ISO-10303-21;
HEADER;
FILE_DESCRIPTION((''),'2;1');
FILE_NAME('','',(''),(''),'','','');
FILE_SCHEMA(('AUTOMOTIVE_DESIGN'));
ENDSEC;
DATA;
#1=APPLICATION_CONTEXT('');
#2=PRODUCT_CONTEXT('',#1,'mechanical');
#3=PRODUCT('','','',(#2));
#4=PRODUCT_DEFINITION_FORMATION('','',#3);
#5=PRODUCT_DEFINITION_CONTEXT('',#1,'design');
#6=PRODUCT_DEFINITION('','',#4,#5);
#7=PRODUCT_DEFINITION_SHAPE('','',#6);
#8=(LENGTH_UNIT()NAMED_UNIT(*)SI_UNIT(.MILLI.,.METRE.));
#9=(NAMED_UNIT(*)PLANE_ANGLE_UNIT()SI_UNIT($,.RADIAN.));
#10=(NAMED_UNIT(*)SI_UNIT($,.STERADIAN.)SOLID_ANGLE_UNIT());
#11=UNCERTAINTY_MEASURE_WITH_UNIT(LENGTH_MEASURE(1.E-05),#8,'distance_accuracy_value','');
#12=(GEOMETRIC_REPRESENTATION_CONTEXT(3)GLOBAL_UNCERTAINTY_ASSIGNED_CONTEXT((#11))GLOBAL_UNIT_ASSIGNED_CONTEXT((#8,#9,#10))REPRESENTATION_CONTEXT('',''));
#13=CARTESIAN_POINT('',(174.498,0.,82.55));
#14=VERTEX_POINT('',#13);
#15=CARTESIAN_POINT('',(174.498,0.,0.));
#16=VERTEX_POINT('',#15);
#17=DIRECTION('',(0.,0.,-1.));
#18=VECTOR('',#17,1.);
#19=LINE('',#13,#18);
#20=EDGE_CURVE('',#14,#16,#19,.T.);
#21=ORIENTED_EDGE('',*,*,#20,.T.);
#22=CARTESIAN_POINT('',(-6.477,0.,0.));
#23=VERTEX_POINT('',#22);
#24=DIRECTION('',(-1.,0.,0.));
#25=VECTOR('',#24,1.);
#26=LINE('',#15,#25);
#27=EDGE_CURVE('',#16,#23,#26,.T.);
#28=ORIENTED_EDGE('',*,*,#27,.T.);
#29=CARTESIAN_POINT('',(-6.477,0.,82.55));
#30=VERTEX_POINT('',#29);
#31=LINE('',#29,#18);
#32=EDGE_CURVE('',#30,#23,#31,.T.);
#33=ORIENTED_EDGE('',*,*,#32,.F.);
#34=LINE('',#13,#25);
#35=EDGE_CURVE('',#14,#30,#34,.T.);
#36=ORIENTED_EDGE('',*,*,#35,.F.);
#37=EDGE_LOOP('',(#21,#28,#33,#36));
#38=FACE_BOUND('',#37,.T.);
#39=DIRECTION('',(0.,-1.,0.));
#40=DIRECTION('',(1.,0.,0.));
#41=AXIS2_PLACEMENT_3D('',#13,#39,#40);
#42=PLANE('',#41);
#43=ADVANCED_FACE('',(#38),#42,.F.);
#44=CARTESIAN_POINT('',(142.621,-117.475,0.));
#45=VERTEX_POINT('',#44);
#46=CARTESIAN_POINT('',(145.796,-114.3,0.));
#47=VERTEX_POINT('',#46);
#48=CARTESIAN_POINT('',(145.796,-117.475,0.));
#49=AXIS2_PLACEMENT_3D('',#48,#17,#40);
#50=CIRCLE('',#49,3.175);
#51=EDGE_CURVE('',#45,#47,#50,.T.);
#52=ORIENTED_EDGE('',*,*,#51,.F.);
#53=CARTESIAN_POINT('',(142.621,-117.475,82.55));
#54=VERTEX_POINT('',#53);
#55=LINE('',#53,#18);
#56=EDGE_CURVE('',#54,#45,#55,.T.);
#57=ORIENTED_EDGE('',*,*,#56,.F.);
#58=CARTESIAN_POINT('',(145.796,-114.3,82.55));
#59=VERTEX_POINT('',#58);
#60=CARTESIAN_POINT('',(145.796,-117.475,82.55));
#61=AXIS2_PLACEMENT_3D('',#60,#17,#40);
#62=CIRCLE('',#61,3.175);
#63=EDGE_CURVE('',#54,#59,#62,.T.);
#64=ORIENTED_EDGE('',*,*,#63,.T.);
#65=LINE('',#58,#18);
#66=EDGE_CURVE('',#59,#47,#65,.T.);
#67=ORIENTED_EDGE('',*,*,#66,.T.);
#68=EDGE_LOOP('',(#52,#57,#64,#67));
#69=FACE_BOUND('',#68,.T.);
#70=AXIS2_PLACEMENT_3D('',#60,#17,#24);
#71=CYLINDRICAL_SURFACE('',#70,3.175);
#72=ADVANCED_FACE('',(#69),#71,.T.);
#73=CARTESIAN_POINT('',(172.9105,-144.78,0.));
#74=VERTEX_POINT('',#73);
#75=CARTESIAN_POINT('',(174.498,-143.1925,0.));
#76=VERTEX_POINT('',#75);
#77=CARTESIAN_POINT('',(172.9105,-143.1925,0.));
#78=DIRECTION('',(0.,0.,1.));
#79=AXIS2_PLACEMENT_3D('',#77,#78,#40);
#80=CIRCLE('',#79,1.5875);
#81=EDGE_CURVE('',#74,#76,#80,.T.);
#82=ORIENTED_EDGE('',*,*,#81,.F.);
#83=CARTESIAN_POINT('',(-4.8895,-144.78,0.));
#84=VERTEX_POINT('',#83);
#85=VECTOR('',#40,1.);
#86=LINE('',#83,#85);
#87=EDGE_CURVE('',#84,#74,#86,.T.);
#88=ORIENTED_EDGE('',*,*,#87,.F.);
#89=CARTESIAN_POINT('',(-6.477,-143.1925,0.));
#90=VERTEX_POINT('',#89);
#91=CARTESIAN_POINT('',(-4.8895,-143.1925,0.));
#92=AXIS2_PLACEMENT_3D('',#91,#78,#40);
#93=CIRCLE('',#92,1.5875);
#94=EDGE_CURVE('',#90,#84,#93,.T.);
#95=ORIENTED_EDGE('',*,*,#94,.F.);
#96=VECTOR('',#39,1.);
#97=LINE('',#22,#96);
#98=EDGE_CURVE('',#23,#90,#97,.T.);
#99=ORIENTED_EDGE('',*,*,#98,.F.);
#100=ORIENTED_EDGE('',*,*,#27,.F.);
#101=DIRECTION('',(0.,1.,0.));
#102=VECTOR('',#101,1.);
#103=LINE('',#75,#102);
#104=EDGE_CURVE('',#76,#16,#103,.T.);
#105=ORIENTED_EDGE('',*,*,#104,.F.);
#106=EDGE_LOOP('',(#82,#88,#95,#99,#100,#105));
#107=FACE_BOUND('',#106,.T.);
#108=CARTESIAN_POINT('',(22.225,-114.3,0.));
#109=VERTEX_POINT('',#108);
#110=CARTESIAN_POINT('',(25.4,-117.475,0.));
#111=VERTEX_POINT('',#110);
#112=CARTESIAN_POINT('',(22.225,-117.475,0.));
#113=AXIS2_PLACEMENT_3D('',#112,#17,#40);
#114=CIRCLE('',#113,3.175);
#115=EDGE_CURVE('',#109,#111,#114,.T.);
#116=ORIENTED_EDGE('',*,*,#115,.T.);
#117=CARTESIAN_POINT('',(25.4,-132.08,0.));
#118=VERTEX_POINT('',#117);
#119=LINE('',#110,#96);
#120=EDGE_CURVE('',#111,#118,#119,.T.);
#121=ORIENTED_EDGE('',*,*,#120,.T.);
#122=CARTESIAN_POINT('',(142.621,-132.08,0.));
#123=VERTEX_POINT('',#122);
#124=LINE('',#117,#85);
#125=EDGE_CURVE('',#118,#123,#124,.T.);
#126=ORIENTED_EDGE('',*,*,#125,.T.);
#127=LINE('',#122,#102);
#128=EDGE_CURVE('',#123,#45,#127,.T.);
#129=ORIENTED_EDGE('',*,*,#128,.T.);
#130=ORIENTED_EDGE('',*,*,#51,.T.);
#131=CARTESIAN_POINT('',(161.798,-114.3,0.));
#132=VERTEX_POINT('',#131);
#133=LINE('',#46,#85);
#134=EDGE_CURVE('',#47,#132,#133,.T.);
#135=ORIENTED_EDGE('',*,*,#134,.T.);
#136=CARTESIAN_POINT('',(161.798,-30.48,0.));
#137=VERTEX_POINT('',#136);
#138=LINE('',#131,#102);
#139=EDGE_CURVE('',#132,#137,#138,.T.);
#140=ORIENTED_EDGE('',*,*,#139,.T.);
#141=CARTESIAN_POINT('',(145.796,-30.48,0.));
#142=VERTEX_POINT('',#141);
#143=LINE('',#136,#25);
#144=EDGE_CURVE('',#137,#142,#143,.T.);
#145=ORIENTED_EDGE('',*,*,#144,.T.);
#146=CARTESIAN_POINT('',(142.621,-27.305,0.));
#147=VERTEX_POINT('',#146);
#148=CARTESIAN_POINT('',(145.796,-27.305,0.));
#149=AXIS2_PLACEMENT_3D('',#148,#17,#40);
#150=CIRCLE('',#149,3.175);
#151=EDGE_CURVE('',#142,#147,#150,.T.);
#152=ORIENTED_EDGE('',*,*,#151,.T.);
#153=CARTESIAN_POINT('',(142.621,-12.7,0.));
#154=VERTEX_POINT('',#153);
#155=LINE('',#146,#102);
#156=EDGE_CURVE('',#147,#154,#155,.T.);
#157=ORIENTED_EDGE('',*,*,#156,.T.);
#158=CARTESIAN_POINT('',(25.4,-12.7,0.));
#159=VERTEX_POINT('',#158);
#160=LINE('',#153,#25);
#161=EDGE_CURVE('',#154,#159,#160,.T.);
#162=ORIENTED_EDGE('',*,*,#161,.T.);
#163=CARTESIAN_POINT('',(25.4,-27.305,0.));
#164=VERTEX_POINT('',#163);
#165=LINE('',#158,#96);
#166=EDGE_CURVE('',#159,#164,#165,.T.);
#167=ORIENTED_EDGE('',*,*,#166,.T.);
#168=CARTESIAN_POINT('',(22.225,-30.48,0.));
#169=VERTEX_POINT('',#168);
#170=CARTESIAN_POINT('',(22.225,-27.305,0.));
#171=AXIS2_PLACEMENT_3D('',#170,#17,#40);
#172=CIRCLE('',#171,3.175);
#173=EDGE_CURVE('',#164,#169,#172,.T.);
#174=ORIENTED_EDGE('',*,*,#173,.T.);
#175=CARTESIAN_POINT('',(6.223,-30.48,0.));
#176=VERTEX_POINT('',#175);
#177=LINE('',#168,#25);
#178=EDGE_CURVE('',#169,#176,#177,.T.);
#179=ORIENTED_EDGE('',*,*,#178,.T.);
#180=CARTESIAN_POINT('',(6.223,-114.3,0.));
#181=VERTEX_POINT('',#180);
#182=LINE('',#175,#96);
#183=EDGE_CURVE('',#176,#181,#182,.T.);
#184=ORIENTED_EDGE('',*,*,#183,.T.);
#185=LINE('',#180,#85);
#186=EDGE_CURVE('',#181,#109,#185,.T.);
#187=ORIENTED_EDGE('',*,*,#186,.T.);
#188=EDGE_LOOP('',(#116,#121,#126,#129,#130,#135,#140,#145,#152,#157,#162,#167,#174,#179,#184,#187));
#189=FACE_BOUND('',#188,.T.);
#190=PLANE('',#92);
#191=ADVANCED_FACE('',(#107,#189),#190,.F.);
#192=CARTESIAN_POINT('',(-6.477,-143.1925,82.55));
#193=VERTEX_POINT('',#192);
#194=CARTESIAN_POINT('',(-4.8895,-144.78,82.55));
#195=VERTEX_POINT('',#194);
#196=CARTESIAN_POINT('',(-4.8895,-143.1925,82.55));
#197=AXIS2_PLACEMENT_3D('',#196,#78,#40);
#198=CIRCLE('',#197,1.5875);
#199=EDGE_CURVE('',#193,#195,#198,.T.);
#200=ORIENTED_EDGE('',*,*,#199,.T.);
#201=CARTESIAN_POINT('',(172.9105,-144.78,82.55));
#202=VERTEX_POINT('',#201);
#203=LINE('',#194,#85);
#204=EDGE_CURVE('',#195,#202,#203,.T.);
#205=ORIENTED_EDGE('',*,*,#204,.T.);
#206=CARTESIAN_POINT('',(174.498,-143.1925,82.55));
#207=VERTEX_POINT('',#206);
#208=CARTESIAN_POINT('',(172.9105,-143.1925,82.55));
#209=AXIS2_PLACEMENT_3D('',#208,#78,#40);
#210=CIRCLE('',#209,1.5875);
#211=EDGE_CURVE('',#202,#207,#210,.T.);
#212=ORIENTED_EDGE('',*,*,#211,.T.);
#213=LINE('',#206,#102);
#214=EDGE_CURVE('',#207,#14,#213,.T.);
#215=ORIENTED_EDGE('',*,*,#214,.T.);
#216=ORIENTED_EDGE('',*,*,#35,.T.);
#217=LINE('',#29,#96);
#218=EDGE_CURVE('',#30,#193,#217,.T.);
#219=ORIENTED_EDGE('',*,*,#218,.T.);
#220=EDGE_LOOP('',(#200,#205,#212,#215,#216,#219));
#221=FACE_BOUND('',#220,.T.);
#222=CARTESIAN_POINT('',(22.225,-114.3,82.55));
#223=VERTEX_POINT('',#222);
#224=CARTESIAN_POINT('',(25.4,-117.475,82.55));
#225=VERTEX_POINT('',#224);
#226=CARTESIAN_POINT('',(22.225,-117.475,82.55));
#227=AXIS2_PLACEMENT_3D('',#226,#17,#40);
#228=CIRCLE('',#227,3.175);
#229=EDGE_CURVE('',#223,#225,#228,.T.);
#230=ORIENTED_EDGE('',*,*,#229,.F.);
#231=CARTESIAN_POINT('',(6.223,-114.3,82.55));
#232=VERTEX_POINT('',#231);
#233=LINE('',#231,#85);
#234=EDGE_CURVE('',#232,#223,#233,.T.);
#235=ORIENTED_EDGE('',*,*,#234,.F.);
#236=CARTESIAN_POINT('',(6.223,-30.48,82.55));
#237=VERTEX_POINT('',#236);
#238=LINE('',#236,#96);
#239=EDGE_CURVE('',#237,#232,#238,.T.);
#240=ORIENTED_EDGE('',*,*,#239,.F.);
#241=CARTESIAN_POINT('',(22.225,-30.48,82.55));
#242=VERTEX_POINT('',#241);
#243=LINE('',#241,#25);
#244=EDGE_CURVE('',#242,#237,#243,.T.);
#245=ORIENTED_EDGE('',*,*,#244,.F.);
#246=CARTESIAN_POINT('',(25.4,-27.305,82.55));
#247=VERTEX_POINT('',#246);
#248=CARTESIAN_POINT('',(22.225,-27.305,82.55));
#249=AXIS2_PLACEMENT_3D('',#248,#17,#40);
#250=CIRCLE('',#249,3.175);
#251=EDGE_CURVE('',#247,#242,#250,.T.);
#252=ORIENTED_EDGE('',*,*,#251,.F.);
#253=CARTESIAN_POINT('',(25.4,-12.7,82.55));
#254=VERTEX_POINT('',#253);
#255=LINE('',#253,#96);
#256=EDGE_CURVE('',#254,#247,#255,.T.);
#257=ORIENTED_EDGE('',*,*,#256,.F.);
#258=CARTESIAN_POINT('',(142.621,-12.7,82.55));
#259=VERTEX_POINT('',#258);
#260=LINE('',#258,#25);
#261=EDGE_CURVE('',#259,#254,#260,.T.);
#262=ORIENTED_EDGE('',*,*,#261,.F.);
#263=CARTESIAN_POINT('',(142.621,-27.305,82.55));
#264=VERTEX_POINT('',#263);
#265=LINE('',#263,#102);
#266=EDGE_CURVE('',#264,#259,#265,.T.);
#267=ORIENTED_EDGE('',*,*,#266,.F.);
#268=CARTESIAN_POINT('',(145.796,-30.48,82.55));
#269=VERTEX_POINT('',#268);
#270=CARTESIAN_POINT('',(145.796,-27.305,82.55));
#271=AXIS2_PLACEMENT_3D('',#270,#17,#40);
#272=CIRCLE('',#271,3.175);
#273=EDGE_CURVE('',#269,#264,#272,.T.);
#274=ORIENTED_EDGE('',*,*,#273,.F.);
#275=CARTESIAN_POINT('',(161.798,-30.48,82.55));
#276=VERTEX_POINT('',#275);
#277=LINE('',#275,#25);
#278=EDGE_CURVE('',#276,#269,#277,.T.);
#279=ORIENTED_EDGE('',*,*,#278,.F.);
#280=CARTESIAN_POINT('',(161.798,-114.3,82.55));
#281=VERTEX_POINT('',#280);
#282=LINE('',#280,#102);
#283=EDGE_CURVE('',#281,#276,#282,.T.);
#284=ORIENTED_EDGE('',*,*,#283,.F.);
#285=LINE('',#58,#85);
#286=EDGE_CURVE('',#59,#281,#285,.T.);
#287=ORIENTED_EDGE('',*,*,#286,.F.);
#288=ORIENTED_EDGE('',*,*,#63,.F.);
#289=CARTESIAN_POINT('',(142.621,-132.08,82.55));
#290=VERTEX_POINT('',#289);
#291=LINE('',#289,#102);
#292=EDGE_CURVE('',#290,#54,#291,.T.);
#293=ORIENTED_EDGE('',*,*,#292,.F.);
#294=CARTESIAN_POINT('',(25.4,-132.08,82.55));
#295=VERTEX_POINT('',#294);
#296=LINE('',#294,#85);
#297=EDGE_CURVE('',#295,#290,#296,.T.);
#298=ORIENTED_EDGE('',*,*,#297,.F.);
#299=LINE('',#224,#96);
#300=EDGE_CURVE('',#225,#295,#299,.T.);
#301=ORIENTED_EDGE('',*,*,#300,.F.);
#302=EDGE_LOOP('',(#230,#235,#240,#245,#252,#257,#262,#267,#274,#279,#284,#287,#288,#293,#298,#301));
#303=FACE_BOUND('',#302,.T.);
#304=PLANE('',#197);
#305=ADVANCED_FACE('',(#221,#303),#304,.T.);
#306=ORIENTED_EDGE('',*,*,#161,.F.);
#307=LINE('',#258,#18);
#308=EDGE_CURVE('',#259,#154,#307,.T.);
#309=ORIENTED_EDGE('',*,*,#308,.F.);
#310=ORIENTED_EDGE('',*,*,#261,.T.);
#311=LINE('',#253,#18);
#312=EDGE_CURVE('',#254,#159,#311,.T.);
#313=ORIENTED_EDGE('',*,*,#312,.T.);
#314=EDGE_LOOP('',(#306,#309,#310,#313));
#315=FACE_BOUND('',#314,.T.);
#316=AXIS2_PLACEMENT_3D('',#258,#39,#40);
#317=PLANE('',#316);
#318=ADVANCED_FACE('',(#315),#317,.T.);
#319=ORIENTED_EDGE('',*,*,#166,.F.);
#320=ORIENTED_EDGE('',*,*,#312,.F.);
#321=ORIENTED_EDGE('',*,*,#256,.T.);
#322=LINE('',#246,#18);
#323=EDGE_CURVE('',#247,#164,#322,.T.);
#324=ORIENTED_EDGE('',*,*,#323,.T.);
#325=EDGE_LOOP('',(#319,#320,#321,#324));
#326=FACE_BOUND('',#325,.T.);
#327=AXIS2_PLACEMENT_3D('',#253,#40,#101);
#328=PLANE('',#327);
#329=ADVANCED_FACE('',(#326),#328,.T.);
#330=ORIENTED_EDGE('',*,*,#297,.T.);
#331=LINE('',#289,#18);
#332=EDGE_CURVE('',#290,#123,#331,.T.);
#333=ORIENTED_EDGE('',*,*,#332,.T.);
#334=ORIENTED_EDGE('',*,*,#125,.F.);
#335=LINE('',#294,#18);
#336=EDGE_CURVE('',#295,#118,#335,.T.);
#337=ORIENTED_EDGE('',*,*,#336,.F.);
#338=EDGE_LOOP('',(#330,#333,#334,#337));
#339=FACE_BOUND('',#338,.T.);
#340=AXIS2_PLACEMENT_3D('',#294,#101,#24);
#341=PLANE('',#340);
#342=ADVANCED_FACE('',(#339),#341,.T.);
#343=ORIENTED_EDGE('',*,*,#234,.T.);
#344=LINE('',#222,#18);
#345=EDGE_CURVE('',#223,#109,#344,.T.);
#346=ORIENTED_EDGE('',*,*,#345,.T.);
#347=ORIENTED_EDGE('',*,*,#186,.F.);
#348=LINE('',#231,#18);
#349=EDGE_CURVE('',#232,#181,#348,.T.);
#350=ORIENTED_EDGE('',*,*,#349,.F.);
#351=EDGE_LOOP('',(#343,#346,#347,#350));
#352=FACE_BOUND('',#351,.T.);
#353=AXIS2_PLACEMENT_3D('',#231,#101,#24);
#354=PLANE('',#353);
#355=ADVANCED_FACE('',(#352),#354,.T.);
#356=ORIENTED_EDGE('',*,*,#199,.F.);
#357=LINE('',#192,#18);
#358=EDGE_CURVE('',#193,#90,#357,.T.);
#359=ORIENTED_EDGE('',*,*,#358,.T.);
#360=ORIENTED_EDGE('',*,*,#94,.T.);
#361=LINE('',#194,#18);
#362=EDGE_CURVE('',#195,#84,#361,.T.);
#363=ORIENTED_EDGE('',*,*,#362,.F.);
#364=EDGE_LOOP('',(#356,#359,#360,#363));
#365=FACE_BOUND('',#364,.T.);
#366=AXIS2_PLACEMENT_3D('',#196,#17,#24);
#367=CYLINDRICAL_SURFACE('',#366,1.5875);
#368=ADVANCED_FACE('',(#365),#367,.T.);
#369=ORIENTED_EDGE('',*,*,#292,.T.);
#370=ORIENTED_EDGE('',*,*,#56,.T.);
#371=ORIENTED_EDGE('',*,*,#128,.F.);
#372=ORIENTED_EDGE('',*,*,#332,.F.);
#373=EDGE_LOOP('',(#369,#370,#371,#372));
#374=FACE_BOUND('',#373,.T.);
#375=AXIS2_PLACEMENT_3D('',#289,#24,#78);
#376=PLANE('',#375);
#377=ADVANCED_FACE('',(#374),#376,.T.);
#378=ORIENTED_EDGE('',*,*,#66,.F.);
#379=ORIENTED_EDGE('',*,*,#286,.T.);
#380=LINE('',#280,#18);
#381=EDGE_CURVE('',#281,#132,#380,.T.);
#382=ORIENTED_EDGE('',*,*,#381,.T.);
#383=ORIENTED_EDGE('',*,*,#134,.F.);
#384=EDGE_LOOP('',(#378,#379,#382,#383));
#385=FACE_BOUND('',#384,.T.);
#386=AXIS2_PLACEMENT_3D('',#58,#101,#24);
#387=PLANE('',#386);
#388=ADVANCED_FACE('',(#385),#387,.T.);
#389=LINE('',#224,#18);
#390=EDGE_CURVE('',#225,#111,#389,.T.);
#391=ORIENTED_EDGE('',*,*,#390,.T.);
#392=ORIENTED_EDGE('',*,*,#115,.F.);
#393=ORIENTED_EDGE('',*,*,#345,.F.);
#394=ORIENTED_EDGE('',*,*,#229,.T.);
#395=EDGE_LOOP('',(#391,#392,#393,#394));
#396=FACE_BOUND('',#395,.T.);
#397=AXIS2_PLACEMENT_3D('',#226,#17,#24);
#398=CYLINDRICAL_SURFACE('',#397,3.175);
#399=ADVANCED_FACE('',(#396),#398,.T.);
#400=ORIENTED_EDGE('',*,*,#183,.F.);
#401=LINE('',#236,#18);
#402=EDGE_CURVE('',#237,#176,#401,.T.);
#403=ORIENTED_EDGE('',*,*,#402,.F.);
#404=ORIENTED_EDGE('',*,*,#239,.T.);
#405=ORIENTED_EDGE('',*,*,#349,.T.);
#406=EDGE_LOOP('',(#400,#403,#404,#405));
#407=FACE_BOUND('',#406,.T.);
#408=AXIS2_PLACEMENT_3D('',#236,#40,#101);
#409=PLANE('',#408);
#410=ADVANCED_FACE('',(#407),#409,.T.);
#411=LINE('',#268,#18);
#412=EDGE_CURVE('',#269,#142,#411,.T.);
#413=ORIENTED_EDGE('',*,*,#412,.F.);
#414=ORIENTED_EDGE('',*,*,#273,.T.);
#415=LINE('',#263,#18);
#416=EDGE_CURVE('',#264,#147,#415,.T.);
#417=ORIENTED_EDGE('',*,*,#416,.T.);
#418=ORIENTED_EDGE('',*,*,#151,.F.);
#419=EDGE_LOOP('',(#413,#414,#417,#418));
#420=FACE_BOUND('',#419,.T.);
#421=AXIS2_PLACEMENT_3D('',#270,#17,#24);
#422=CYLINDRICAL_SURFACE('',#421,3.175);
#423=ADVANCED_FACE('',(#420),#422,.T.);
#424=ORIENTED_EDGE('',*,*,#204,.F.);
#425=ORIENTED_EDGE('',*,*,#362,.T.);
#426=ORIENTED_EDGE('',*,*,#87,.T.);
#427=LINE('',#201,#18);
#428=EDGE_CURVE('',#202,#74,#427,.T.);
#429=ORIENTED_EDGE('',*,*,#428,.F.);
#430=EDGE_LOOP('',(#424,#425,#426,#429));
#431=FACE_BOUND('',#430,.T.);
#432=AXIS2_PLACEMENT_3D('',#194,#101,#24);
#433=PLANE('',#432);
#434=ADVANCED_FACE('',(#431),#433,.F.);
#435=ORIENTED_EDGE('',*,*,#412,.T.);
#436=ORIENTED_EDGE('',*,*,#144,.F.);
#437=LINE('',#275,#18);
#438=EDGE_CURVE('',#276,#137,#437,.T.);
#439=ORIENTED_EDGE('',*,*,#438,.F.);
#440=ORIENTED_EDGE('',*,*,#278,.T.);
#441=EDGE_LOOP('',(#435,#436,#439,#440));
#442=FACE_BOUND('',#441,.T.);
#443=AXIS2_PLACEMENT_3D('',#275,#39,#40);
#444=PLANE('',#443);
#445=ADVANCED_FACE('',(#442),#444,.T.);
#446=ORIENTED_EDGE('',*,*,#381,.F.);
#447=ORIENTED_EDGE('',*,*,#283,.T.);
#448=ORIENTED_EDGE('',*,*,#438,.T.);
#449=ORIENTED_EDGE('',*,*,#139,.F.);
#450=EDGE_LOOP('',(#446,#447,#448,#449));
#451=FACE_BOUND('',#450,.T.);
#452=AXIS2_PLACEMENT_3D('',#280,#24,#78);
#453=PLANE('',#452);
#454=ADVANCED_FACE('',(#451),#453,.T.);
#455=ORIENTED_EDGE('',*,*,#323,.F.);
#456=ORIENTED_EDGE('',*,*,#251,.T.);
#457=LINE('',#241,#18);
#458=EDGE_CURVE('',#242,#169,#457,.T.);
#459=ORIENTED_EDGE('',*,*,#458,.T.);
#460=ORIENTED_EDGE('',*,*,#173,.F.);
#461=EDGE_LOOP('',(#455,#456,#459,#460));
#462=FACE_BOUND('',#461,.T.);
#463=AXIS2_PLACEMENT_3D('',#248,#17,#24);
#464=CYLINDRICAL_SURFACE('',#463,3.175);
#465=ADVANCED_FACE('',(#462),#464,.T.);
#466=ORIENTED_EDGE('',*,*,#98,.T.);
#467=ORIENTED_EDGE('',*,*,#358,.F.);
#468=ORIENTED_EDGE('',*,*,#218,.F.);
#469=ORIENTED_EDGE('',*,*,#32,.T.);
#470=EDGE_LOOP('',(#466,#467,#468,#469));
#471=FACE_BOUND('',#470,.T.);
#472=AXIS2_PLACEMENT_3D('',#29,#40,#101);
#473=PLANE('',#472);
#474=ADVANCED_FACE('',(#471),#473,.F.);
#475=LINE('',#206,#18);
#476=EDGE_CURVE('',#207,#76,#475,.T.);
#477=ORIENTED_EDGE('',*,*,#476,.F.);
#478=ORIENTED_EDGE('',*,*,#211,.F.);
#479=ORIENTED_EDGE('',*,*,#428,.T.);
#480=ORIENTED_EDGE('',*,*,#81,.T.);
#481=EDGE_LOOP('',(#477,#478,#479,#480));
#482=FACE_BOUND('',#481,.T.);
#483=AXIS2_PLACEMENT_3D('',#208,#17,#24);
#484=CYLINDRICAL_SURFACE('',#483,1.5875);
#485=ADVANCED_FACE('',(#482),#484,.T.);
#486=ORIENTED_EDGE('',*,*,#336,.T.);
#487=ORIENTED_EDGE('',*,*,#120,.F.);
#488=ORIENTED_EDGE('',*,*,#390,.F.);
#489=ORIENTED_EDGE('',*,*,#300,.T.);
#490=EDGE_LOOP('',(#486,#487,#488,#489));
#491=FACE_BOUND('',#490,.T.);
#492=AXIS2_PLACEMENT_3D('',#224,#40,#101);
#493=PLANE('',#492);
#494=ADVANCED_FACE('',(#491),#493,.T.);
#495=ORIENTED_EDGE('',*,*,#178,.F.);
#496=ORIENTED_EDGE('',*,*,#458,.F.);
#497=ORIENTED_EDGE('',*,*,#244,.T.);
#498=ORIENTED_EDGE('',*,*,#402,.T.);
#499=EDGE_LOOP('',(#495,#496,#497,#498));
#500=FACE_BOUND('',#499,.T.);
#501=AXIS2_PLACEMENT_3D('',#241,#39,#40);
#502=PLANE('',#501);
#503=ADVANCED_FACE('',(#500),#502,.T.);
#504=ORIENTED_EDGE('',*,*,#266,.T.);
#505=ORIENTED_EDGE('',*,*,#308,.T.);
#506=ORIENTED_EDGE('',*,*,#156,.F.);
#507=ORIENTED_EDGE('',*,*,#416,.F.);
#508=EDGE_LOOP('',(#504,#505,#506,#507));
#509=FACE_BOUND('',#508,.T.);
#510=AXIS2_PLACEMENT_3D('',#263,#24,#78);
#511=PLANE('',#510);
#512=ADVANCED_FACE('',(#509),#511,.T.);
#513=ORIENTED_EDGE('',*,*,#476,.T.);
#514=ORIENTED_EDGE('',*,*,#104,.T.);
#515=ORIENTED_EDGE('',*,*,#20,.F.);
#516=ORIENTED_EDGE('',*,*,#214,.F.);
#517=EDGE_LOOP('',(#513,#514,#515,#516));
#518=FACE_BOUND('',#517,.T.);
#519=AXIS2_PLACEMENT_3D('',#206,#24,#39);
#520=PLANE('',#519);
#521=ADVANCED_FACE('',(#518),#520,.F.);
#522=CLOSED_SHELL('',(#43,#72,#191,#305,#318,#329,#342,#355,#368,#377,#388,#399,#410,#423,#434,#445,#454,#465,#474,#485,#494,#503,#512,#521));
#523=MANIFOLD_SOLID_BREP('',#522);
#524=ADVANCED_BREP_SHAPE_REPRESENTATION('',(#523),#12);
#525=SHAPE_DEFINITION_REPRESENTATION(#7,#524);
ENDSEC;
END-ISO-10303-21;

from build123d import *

# Parameters (mm, degrees)
BOSS_EXTRUDE1_DEPTH = 82.55


with BuildPart() as part:
    # Sketch1 → Boss-Extrude1 (new body)
    with BuildSketch(Plane.XY):
        with BuildLine():
            Line((174.498, 0), (-6.477, 0))
            Line((-6.477, 0), (-6.477, -143.1925))
            ThreePointArc((-6.477, -143.1925), (-6.012032015, -144.315032015), (-4.8895, -144.78))
            Line((-4.8895, -144.78), (172.9105, -144.78))
            ThreePointArc((172.9105, -144.78), (174.033032015, -144.315032015), (174.498, -143.1925))
            Line((174.498, -143.1925), (174.498, 0))
        make_face()
        with BuildLine():
            Line((6.223, -114.3), (22.225, -114.3))
            ThreePointArc((22.225, -114.3), (24.47006403, -115.22993597), (25.4, -117.475))
            Line((25.4, -117.475), (25.4, -132.08))
            Line((25.4, -132.08), (142.621, -132.08))
            Line((142.621, -132.08), (142.621, -117.475))
            ThreePointArc((142.621, -117.475), (143.55093597, -115.22993597), (145.796, -114.3))
            Line((145.796, -114.3), (161.798, -114.3))
            Line((161.798, -114.3), (161.798, -30.48))
            Line((161.798, -30.48), (145.796, -30.48))
            ThreePointArc((145.796, -30.48), (143.55093597, -29.55006403), (142.621, -27.305))
            Line((142.621, -27.305), (142.621, -12.7))
            Line((142.621, -12.7), (25.4, -12.7))
            Line((25.4, -12.7), (25.4, -27.305))
            ThreePointArc((25.4, -27.305), (24.47006403, -29.55006403), (22.225, -30.48))
            Line((22.225, -30.48), (6.223, -30.48))
            Line((6.223, -30.48), (6.223, -114.3))
        make_face(mode=Mode.SUBTRACT)
    extrude(amount=BOSS_EXTRUDE1_DEPTH)


solid = part.part
